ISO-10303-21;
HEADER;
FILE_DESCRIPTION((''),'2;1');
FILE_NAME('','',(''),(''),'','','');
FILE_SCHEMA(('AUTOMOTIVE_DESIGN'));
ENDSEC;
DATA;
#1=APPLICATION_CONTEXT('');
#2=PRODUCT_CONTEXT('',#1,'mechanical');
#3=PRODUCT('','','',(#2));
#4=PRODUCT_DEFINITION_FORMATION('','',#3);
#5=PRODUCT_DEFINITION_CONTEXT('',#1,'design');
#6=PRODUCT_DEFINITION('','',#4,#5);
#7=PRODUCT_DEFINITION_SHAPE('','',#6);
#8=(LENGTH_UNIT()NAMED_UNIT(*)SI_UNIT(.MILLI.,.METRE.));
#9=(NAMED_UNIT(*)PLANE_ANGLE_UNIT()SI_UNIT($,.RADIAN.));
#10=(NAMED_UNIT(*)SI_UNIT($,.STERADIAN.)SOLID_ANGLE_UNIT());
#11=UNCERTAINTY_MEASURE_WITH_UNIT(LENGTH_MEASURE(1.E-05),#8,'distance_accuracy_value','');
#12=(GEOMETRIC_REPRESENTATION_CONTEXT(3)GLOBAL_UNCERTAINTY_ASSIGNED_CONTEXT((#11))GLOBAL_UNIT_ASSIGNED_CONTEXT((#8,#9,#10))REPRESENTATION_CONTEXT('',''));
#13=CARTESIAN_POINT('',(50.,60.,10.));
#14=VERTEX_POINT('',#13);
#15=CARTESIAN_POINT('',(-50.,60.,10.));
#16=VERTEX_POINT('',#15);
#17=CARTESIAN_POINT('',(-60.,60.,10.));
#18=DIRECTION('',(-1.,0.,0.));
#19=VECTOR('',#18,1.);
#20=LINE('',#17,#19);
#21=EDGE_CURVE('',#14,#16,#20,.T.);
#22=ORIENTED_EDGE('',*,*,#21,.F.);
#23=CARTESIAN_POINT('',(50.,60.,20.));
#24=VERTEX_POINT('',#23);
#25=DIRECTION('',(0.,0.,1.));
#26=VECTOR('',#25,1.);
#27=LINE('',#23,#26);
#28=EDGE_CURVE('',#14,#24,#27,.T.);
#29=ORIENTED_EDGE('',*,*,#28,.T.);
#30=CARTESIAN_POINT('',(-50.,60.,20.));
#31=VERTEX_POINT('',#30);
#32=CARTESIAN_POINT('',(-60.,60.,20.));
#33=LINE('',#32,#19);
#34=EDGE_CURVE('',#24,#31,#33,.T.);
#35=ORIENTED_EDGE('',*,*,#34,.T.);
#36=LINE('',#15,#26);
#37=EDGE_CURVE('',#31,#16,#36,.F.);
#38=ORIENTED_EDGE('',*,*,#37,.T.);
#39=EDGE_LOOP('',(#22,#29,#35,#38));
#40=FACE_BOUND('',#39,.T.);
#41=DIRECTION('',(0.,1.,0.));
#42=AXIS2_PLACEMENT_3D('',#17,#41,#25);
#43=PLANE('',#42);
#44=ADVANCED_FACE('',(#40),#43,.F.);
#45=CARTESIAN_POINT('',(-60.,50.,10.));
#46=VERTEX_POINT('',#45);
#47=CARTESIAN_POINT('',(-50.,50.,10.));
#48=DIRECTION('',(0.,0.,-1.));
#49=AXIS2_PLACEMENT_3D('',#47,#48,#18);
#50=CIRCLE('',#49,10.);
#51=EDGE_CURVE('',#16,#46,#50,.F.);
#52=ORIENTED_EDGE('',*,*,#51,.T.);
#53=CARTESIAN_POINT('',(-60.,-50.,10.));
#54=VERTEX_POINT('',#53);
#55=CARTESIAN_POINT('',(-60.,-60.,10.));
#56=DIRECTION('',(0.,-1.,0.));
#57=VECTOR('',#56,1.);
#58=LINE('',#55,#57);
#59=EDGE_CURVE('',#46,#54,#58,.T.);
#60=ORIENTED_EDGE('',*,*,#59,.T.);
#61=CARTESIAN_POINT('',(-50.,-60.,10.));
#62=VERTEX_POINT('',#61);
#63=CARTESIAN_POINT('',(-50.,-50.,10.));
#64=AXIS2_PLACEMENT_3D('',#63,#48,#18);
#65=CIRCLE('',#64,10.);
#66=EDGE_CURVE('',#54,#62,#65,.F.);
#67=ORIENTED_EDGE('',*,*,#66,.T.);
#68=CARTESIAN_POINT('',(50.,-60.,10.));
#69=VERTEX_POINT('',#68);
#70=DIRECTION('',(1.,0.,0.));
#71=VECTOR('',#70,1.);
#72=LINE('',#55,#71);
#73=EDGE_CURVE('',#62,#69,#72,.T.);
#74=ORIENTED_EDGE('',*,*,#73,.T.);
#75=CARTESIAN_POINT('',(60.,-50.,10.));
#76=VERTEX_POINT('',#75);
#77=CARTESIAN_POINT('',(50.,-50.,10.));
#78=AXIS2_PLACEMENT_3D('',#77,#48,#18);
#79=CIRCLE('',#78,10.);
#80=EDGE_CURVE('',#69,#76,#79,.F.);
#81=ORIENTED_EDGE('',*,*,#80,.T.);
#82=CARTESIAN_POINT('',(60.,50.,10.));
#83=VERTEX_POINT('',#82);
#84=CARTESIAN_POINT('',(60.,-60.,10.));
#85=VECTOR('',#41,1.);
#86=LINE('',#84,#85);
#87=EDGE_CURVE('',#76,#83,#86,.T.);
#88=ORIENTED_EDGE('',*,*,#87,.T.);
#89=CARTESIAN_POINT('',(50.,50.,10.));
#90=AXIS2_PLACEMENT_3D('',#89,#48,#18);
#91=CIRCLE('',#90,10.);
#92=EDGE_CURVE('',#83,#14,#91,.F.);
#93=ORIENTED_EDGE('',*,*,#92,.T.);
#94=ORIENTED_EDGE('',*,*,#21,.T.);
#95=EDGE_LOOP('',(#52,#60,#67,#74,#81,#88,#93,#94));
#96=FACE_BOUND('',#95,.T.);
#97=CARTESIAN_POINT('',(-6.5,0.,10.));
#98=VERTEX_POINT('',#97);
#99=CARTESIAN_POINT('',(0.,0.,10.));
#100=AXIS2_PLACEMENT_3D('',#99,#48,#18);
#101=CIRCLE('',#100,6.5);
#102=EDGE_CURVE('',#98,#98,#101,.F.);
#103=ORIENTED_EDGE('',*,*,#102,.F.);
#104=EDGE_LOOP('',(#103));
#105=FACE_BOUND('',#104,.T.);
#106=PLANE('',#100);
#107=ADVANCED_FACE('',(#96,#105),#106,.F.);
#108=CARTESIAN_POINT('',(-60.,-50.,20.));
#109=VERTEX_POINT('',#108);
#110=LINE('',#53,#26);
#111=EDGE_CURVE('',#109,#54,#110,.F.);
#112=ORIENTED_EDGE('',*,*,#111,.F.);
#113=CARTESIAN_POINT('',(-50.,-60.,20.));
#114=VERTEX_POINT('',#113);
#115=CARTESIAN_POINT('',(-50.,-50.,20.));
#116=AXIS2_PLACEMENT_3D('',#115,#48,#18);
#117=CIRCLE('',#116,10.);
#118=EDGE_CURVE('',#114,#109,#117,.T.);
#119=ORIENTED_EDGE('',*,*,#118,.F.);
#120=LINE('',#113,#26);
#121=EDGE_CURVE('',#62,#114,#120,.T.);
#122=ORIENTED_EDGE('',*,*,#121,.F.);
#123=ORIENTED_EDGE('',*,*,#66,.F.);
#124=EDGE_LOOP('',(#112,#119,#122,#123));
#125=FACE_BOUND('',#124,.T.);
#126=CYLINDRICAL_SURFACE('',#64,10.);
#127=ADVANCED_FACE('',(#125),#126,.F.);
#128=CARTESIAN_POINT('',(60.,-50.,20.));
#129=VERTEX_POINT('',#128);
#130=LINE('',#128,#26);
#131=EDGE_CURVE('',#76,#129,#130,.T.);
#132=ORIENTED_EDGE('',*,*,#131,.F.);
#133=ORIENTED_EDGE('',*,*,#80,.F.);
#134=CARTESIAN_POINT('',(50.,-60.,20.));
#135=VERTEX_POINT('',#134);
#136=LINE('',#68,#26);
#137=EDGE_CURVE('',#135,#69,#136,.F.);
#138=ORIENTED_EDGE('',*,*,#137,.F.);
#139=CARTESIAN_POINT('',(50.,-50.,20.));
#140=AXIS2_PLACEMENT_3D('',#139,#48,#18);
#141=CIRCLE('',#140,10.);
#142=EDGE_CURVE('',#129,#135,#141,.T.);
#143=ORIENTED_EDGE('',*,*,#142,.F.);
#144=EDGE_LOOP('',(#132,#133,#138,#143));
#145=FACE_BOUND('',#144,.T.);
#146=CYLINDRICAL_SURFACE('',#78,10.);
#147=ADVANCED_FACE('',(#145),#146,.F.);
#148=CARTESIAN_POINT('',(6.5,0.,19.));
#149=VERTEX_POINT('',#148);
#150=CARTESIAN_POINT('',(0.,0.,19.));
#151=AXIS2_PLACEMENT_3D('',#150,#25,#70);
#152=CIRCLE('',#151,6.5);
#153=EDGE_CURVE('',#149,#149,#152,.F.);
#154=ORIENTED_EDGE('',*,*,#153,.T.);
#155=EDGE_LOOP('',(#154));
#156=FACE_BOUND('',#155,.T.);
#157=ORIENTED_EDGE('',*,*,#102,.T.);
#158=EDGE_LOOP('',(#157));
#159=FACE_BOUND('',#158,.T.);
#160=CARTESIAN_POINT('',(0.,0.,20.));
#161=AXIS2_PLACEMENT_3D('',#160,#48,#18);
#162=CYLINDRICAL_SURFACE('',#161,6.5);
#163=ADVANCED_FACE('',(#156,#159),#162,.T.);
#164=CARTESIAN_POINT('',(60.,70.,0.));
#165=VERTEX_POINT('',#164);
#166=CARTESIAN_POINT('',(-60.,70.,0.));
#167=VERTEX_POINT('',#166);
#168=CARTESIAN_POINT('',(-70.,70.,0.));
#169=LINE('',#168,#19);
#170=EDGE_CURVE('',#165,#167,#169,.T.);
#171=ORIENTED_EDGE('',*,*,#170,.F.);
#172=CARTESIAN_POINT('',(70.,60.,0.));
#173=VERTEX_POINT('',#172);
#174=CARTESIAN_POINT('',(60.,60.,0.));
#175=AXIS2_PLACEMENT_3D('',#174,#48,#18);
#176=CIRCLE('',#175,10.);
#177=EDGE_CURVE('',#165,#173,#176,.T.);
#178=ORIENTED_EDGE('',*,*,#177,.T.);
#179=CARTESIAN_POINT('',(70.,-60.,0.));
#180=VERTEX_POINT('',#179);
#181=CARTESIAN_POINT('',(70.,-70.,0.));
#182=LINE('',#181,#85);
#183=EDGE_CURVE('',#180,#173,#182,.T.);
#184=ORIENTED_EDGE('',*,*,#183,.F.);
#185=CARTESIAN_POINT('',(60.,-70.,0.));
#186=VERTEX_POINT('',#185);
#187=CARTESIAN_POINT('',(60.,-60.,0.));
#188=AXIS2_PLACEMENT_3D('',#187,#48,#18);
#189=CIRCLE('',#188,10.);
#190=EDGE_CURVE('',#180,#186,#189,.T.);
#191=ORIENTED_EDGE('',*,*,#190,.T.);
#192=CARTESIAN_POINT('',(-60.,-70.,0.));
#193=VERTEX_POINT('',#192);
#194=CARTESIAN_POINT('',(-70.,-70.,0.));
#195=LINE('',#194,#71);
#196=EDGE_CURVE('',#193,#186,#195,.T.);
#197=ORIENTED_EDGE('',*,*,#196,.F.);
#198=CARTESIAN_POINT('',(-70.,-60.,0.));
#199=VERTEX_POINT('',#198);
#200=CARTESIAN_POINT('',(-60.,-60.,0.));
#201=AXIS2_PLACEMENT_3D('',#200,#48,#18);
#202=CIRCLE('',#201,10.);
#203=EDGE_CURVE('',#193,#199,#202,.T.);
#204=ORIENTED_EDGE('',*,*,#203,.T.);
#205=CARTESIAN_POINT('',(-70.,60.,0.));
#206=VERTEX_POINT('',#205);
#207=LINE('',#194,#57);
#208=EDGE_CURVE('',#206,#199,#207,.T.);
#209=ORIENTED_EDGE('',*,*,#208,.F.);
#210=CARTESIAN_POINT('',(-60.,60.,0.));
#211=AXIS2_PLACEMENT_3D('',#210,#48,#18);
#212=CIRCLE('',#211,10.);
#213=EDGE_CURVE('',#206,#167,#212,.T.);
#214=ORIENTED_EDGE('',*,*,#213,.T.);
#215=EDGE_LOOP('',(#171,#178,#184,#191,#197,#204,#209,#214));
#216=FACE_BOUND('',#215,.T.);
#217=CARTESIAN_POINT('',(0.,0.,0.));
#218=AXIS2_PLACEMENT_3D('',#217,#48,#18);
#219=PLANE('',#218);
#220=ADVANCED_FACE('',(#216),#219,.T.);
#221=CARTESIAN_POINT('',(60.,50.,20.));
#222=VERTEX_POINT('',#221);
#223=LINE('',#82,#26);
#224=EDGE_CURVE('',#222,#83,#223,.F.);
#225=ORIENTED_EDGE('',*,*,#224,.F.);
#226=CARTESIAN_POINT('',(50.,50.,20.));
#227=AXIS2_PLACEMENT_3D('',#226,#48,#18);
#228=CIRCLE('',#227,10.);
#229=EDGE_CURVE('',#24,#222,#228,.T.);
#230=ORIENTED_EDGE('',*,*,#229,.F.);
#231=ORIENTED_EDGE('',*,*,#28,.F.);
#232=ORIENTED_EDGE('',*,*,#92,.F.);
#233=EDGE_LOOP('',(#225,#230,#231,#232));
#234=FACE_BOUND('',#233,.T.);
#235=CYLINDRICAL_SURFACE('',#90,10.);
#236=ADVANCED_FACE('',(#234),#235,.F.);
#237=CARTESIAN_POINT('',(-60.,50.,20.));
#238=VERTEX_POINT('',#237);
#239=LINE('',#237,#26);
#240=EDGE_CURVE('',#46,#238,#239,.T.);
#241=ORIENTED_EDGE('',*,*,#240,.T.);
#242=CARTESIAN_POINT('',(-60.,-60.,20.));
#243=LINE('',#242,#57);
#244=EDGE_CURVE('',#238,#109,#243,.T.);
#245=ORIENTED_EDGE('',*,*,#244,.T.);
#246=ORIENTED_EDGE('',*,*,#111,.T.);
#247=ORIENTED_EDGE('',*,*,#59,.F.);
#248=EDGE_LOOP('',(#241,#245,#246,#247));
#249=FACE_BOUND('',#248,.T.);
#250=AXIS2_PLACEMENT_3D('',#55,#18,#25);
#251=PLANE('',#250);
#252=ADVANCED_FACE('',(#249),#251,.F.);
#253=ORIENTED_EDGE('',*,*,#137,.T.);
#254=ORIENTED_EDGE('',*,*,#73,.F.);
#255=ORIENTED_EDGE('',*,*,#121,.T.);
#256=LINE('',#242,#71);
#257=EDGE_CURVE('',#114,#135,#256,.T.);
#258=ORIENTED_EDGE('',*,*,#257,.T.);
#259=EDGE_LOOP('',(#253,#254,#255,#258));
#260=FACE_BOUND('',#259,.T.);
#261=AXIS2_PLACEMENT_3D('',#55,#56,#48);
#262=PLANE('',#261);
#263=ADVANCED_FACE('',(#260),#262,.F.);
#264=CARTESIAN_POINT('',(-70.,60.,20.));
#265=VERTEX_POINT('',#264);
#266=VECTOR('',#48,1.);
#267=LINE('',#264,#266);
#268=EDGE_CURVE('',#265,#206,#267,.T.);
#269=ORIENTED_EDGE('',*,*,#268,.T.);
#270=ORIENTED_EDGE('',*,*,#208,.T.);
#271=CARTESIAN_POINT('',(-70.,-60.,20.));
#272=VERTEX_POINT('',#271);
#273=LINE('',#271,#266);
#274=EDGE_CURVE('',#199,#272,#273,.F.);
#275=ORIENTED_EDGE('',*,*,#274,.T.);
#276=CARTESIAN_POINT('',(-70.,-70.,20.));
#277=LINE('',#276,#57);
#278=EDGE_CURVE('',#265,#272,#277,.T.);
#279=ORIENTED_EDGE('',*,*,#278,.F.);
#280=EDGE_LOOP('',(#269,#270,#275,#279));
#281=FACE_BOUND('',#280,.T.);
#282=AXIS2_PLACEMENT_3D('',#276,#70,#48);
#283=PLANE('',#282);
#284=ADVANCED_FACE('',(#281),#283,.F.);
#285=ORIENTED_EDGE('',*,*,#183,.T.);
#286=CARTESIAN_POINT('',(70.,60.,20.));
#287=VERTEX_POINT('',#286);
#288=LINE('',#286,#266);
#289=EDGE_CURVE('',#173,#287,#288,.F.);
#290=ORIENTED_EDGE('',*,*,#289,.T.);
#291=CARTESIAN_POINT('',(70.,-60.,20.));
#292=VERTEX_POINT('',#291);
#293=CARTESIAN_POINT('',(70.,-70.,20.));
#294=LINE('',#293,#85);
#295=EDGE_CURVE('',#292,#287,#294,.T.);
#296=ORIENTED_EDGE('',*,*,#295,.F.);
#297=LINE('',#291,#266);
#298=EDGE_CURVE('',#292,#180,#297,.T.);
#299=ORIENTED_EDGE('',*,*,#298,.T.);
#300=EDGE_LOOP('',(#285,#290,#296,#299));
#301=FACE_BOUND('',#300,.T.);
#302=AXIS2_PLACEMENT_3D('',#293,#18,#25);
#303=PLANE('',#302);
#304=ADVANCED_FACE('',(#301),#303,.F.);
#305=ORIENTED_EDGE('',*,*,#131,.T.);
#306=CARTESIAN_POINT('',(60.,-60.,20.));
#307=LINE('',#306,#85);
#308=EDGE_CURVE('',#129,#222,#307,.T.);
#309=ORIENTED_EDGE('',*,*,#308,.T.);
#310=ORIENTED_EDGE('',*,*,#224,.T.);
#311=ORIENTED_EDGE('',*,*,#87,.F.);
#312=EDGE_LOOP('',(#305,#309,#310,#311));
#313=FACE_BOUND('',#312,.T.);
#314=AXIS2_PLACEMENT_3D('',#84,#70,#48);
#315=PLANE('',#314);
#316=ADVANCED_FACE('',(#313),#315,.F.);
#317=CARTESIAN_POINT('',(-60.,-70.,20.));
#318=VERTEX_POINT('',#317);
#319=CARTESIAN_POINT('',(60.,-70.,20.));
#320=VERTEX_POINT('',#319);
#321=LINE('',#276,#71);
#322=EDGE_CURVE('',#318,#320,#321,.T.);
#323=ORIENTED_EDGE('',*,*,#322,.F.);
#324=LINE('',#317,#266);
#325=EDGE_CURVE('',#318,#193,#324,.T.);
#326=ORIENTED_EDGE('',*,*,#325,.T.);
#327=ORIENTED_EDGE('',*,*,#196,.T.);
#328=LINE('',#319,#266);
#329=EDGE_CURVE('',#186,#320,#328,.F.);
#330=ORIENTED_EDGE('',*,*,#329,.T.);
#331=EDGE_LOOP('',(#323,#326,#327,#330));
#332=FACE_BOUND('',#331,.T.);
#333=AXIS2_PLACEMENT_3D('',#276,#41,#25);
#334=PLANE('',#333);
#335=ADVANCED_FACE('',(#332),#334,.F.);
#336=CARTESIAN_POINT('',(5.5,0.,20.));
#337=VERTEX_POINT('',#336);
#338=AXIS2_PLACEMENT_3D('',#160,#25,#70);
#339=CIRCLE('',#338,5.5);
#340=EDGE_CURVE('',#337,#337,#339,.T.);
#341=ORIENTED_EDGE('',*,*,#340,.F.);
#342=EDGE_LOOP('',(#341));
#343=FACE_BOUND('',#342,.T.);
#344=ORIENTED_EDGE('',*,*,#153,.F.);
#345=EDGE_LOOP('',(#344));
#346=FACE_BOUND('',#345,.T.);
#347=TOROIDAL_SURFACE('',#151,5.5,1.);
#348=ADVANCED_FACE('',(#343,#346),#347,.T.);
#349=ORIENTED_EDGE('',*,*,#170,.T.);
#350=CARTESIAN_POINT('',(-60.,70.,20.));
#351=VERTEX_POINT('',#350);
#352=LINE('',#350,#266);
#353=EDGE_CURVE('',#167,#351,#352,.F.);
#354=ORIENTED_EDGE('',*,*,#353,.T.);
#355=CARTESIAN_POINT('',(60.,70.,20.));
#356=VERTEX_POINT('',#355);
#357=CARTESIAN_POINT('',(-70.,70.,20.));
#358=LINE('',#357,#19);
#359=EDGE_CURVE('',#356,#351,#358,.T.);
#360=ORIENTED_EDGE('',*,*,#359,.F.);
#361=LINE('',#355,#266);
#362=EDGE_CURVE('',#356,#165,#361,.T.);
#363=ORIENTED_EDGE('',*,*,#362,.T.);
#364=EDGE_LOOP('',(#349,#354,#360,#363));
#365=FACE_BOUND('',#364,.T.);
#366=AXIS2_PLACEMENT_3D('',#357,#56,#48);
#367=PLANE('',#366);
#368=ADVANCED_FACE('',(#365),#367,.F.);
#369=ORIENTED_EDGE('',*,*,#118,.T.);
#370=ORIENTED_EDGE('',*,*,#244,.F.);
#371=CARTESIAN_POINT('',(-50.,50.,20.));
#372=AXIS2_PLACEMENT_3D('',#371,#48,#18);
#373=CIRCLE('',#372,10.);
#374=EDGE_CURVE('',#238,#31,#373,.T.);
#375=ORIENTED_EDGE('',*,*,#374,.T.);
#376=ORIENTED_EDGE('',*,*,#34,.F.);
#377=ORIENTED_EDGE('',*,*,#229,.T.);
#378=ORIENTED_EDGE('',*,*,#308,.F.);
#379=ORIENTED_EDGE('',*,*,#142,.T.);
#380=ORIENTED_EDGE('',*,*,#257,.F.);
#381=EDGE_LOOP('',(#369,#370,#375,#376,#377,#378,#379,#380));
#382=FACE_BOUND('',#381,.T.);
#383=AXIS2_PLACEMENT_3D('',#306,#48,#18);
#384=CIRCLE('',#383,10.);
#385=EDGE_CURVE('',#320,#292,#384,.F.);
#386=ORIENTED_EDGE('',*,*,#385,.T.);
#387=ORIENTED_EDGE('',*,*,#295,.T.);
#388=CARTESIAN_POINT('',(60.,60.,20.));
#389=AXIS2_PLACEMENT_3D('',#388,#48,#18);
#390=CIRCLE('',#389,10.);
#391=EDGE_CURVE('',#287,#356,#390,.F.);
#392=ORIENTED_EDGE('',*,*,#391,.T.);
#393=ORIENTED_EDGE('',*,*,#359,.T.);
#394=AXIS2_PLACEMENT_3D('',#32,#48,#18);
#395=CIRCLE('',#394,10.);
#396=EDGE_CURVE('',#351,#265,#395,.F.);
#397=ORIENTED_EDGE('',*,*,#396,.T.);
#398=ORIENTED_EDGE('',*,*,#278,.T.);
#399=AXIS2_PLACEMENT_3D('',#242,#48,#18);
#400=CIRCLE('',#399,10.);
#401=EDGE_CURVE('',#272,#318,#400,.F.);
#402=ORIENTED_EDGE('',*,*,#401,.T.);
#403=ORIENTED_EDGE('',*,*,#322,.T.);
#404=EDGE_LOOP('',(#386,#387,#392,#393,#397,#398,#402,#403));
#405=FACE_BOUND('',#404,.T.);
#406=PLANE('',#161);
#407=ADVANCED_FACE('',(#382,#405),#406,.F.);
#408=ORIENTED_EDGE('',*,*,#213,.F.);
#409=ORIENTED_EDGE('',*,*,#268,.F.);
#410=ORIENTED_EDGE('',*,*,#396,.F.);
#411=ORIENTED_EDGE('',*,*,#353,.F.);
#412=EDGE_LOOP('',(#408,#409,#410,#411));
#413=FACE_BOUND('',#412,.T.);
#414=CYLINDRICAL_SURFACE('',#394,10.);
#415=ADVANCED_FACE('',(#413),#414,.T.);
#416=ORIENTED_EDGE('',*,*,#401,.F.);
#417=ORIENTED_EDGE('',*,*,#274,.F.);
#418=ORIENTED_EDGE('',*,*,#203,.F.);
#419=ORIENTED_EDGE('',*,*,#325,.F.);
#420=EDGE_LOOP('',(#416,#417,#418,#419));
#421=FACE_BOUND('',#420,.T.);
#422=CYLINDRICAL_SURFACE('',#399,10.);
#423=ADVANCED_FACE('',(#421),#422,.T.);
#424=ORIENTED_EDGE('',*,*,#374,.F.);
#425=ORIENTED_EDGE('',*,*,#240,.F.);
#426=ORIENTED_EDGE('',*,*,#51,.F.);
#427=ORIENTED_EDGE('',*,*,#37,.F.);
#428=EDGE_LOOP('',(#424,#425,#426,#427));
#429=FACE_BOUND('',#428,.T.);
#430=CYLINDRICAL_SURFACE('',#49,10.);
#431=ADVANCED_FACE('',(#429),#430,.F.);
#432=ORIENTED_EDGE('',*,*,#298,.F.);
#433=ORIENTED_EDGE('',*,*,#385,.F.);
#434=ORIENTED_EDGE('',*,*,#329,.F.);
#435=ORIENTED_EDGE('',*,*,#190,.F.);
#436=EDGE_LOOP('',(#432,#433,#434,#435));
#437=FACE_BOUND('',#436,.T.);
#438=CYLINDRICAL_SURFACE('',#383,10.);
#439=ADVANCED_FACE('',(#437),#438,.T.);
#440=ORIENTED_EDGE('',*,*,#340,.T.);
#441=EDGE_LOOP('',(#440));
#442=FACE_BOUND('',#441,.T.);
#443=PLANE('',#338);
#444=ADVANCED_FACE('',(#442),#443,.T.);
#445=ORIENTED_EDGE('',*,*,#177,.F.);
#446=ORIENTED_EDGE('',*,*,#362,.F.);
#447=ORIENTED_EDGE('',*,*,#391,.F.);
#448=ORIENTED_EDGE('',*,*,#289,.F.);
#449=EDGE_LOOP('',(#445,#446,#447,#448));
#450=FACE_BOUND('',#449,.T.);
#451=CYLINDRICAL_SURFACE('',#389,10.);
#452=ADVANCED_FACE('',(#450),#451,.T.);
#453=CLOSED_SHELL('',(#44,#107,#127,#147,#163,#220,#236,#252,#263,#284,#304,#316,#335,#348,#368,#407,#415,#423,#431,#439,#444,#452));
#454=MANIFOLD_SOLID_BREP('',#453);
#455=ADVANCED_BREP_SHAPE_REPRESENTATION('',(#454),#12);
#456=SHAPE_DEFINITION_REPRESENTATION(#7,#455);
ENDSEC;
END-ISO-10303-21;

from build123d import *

# Parameters (mm, degrees)
ESQUISSE1_W             = 140
ESQUISSE1_H             = 140
BOSS_EXTRU_1_DEPTH      = 20
ESQUISSE2_W             = 120
ESQUISSE2_H             = 120
ENL_V_MAT_EXTRU_1_DEPTH = 10
CONG_1_R                = 10
CONG_2_R                = 10
ESQUISSE3_R             = 6.5
BOSS_EXTRU_2_DEPTH      = 10
CONG_3_R                = 1


with BuildPart() as part:
    # Esquisse1 → Boss.-Extru.1 (new body)
    with BuildSketch(Plane.XY):
        Rectangle(ESQUISSE1_W, ESQUISSE1_H)
    extrude(amount=BOSS_EXTRU_1_DEPTH)

    # Esquisse2 → Enlèv. mat.-Extru.1 (cut)
    with BuildSketch(Plane.XY.offset(20)):
        Rectangle(ESQUISSE2_W, ESQUISSE2_H)
    extrude(amount=-ENL_V_MAT_EXTRU_1_DEPTH, mode=Mode.SUBTRACT)

    # Congé1
    cong_1_edges = [part.edges().sort_by_distance(p)[0] for p in [
        (60, 60, 15),
        (60, -60, 15),
        (-60, -60, 15),
        (-60, 60, 15),
    ]]
    fillet(cong_1_edges, radius=CONG_1_R)

    # Congé2
    cong_2_edges = [part.edges().sort_by_distance(p)[0] for p in [
        (70, -70, 10),
        (-70, -70, 10),
        (-70, 70, 10),
        (70, 70, 10),
    ]]
    fillet(cong_2_edges, radius=CONG_2_R)

    # Esquisse3 → Boss.-Extru.2 (add)
    with BuildSketch(Plane.XY.offset(10)):
        with Locations(Location((0, 0, 0), (0, 0, 180))):
            Circle(ESQUISSE3_R)
    extrude(amount=BOSS_EXTRU_2_DEPTH)

    # Congé3
    cong_3_edges = [part.edges().sort_by_distance(p)[0] for p in [
        (6.5, 0, 20),
    ]]
    fillet(cong_3_edges, radius=CONG_3_R)


solid = part.part
